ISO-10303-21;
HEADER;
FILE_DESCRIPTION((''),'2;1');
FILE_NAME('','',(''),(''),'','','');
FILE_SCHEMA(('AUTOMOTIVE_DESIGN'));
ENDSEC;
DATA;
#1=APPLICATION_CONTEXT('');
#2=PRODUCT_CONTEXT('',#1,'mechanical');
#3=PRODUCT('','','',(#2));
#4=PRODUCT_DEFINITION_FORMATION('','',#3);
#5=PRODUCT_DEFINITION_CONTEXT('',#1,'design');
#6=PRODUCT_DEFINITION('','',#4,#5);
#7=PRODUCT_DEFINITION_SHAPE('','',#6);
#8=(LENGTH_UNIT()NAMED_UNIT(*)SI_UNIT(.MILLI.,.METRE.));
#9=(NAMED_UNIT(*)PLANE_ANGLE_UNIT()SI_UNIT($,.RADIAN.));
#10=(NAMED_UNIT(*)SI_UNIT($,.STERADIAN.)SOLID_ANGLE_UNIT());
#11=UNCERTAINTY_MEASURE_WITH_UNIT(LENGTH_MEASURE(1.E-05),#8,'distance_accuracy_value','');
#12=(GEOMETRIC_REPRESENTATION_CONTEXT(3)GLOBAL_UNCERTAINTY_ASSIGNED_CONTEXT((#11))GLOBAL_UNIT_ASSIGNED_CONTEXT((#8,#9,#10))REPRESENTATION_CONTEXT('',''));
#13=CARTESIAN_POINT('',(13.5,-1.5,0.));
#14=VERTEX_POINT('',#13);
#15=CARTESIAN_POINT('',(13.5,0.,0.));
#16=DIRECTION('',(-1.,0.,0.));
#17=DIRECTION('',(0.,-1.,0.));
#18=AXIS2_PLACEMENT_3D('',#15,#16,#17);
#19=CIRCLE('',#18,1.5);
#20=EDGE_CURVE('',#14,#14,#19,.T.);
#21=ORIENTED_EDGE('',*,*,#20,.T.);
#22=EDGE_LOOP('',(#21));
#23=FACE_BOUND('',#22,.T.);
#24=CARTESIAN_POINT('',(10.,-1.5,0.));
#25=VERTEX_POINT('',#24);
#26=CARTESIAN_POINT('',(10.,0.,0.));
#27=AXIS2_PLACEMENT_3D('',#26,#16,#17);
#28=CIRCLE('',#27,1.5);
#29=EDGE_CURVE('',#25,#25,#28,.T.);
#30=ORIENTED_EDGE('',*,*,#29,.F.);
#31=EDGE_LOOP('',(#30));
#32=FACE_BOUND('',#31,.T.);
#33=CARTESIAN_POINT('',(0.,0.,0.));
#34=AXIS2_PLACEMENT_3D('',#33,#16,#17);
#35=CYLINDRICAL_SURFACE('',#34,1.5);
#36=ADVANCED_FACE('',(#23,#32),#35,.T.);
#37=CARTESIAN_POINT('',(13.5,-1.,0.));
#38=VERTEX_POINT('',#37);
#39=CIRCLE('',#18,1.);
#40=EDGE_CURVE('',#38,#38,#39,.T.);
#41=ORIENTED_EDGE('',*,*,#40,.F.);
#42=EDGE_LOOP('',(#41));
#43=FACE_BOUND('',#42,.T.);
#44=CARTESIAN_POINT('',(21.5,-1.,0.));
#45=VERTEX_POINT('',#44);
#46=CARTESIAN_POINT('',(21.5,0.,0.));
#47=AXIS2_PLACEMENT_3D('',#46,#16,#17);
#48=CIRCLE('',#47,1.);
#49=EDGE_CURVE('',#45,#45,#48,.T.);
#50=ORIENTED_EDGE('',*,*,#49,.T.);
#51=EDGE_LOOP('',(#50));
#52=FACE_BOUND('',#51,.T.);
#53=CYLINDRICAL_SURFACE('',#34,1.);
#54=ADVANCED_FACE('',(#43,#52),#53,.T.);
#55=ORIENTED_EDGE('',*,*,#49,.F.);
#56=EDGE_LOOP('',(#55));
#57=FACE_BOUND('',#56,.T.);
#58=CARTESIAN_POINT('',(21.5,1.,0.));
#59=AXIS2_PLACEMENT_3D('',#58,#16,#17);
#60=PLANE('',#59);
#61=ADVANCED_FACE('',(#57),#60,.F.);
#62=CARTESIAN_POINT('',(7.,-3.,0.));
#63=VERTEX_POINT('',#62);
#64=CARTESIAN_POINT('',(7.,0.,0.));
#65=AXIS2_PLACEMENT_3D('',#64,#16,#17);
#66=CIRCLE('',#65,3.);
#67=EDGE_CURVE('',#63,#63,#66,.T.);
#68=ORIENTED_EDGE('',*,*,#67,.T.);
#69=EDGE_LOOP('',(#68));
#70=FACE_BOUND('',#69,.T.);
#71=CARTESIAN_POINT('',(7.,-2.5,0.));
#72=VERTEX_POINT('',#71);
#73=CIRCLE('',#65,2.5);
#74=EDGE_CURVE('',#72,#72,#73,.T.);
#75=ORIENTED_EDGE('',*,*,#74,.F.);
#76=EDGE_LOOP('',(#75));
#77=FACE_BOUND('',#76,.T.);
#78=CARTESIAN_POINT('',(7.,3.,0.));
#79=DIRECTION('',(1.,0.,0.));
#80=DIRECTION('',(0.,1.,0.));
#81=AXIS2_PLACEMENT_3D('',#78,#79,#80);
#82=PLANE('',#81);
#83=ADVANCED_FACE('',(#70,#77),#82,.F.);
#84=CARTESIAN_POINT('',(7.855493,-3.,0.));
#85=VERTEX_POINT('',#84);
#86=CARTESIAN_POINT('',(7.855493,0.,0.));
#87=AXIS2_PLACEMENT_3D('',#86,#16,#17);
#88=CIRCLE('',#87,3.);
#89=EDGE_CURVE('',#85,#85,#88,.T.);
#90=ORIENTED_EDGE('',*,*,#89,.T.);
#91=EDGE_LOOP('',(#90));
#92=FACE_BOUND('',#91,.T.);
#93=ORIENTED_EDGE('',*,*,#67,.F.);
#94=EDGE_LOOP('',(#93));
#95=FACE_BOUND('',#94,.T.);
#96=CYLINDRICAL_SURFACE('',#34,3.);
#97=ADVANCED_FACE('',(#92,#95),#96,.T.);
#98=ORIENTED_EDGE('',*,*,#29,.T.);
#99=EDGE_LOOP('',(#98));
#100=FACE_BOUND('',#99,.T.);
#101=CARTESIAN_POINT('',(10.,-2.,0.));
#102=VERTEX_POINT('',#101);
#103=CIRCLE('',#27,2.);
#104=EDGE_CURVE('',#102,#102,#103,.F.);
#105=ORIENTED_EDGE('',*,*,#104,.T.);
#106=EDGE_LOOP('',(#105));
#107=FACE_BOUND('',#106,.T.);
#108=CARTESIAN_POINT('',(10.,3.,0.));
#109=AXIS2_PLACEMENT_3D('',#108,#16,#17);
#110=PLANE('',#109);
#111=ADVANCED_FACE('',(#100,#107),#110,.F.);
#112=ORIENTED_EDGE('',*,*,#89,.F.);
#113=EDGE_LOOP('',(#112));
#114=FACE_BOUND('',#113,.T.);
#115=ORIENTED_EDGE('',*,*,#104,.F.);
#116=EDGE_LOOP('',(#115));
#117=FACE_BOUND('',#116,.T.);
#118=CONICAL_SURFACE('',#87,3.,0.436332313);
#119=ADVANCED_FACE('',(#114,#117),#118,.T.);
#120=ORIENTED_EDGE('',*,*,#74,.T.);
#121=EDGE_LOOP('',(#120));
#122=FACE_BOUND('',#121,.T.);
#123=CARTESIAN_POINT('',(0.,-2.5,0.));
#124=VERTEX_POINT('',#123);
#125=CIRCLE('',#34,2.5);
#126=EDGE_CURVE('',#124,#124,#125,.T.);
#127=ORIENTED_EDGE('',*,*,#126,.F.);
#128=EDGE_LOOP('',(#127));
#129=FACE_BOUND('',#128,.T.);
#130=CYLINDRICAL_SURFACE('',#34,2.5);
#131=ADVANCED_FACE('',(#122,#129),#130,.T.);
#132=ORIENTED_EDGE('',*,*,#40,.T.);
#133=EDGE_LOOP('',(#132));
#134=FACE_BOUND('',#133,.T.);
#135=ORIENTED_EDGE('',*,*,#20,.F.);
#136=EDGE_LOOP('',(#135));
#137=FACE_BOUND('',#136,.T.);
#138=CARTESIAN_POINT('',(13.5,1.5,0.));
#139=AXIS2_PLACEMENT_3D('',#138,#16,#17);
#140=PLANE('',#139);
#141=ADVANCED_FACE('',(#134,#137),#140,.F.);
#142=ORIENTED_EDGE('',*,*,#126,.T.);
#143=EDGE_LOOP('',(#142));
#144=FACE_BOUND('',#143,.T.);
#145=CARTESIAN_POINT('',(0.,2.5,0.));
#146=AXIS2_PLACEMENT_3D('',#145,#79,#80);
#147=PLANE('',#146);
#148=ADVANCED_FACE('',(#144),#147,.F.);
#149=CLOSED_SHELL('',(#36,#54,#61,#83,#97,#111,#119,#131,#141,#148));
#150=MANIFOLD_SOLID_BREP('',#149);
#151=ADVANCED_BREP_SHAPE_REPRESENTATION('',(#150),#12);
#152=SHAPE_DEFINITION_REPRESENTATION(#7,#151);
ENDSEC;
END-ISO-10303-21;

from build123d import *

# Parameters (mm, degrees)
CHANFREIN2_SIZE  = 1
CHANFREIN2_SIZE2 = 2.144506921


with BuildPart() as part:
    # Esquisse1 → Révolution16 (revolve)
    with BuildSketch(Plane.XY, mode=Mode.PRIVATE) as r_volution16_sk:
        Polygon((7, 3), (10, 3), (10, 1.5), (13.5, 1.5), (13.5, 1), (21.5, 1), (21.5, 0), (0, 0), (0, 2.5), (7, 2.5), align=None)
    revolve(r_volution16_sk.sketch.rotate(Axis((0, 0, 0), (1, 0, 0)), 180), axis=Axis((0, 0, 0), (1, 0, 0)))

    # Chanfrein2
    chanfrein2_edges = [part.edges().sort_by_distance(p)[0] for p in [
        (10, 3, 0),
    ]]
    chanfrein2_side = [part.faces().sort_by_distance(p)[0] for p in [
        (10, 2.915147186, 0),
    ]]
    chamfer(chanfrein2_edges, length=CHANFREIN2_SIZE, length2=CHANFREIN2_SIZE2, reference=chanfrein2_side[0])


solid = part.part
